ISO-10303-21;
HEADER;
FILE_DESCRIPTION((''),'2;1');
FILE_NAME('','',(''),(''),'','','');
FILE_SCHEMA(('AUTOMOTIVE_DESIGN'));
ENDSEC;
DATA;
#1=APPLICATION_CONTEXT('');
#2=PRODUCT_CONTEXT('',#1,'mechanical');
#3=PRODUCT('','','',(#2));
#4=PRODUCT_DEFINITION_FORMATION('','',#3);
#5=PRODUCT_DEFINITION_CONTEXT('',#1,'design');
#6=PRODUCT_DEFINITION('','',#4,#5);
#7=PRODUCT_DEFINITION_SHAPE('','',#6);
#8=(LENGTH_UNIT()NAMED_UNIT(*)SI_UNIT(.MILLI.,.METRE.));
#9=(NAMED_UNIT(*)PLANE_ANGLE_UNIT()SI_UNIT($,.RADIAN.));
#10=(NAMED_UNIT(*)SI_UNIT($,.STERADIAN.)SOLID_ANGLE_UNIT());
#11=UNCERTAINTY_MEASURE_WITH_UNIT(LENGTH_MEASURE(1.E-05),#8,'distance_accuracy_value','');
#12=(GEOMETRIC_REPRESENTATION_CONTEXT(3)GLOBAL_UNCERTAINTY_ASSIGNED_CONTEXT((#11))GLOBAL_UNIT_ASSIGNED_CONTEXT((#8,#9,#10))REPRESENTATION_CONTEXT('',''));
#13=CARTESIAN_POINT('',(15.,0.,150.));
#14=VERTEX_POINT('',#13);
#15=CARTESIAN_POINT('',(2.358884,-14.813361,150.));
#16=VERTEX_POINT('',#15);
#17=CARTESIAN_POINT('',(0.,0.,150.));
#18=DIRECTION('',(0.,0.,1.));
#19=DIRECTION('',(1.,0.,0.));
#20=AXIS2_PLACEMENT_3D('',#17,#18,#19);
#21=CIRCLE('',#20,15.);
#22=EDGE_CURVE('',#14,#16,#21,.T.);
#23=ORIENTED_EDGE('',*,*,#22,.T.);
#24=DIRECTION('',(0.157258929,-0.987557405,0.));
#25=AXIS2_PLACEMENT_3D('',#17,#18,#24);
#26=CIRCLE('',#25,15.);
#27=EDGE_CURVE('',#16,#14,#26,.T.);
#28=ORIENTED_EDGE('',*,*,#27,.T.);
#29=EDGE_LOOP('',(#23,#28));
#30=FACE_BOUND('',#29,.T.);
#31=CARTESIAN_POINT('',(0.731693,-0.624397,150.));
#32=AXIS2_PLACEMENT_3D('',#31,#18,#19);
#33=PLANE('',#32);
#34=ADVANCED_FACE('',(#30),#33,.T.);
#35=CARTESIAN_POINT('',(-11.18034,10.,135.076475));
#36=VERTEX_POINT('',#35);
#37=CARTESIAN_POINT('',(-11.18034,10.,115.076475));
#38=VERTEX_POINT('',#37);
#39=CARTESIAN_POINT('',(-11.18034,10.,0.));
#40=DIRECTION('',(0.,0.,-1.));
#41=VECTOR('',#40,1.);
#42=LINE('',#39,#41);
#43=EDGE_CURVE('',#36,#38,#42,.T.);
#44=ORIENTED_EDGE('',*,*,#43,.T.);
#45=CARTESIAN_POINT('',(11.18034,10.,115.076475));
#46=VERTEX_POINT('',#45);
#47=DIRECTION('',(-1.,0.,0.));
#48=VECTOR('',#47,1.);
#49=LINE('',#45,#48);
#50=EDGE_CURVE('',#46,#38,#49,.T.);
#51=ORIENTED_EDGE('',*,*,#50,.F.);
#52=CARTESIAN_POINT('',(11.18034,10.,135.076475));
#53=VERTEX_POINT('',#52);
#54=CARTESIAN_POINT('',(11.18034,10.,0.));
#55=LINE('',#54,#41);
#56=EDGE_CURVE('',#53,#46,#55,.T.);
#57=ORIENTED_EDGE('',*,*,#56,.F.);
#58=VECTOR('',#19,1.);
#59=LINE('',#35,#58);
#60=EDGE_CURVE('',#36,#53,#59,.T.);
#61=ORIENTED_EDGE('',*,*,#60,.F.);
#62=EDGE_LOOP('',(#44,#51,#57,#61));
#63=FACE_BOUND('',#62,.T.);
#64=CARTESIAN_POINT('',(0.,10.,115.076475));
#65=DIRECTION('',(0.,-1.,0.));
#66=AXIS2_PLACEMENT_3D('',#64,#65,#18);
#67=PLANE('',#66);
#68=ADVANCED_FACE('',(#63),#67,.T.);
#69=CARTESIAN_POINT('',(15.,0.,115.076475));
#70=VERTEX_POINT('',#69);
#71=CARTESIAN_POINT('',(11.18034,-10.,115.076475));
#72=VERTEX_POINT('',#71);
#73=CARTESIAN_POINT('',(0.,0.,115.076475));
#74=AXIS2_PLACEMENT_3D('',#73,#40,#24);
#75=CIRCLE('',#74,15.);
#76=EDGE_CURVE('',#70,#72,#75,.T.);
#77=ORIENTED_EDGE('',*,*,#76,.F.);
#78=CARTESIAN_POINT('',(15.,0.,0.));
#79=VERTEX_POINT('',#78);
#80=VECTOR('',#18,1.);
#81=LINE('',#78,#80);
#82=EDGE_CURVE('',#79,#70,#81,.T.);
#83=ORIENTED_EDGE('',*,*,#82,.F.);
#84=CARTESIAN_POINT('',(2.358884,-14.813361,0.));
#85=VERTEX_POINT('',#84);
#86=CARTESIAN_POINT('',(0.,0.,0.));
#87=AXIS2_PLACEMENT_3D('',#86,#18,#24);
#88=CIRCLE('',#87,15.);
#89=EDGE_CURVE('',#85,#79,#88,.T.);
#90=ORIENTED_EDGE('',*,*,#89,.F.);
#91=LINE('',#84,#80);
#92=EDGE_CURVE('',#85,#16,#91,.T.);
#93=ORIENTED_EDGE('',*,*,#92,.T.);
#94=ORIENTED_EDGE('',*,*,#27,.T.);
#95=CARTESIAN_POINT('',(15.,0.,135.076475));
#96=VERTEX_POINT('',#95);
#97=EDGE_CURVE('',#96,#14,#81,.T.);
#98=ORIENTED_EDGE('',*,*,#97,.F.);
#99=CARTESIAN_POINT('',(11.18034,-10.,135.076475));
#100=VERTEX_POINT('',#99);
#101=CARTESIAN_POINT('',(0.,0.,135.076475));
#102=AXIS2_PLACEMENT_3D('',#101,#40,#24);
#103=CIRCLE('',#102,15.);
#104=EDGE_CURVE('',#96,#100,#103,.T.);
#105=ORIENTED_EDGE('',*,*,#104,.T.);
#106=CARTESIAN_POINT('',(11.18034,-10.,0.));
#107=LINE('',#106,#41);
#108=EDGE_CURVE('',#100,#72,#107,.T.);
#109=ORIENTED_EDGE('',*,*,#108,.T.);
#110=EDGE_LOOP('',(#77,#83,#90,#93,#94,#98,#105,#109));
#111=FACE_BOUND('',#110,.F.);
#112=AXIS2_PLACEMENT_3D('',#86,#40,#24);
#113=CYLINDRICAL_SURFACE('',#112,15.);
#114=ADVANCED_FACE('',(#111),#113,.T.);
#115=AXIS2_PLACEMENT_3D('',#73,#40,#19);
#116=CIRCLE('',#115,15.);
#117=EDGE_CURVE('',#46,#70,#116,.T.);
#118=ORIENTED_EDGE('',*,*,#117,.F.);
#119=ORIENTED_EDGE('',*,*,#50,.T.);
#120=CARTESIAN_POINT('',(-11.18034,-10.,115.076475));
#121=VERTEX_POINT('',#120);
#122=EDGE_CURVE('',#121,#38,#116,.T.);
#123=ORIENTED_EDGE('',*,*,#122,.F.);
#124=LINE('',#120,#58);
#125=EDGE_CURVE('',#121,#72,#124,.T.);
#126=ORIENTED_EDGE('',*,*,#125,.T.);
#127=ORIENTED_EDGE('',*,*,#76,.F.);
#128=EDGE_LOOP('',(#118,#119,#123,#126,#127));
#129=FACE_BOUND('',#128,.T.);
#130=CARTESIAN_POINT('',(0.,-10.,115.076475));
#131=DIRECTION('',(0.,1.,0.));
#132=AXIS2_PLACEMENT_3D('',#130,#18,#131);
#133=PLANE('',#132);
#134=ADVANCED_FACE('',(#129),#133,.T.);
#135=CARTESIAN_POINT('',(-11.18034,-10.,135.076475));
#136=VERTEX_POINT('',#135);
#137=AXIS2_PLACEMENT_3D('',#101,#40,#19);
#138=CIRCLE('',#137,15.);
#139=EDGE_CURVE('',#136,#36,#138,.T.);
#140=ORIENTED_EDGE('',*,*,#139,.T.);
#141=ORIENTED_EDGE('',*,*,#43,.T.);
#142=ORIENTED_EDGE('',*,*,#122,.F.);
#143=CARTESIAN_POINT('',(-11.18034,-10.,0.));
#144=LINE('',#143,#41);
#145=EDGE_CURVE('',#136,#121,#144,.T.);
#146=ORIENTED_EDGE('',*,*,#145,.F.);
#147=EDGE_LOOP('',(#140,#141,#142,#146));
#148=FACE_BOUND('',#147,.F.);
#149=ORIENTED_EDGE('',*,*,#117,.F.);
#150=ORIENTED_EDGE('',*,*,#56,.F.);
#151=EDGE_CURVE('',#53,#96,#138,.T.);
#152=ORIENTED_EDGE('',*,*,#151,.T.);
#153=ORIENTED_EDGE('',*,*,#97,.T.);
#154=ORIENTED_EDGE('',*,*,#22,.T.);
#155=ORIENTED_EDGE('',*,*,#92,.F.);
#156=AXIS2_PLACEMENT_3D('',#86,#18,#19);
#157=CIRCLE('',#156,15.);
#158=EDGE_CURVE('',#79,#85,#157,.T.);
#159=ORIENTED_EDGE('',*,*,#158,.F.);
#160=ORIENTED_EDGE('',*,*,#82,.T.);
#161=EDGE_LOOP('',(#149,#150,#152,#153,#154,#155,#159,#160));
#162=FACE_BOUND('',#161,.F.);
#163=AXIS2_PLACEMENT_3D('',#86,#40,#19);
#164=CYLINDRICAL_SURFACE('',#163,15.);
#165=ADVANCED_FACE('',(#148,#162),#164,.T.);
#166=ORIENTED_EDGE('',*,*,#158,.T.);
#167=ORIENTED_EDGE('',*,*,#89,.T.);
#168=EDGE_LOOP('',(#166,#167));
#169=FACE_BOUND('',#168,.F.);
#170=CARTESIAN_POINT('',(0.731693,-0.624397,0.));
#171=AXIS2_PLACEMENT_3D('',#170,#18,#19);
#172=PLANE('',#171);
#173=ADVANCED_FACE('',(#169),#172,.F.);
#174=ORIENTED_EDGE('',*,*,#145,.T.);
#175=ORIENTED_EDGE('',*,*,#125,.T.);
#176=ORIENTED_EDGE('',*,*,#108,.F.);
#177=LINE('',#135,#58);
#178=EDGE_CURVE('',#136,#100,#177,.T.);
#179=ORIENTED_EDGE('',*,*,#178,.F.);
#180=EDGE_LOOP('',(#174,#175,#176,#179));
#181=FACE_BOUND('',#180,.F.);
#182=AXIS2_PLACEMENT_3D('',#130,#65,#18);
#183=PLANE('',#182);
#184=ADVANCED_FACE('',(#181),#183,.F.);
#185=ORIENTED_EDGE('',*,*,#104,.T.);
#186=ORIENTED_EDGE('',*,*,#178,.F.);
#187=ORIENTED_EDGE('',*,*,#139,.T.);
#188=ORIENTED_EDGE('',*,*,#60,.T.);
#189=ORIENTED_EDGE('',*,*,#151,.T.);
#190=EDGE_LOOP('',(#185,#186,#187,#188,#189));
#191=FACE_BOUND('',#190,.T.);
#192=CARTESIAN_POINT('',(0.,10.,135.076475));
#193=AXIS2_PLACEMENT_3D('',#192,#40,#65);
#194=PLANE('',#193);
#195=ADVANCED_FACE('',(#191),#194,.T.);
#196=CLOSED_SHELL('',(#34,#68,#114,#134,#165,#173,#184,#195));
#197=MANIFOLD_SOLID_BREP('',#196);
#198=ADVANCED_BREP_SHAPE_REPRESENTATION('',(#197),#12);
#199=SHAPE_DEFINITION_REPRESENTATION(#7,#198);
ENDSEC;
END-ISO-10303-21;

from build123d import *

# Parameters (mm, degrees)
F1_DEPTH      = 150
F2_W          = 10
F2_H          = 20
F3_DEPTH      = 15.001
F3_DEPTH_BACK = 15.001


with BuildPart() as f1:
    # F0 (on Top) → F1 (new body)
    with BuildSketch(Plane.XY):
        with BuildLine():
            ThreePointArc((2.3588839403, -14.8133610824), (11.4101546682, -9.7369589939), (15, 0))
            ThreePointArc((15, 0), (-11.4101546682, 9.7369589939), (2.3588839403, -14.8133610824))
        make_face()
    extrude(amount=F1_DEPTH)

    # F2 (on Right) → F3 (cut, two sides)
    with BuildSketch(Plane.YZ) as f3_sk:
        with Locations((-5, 125.0764748454)):
            Rectangle(F2_W, F2_H)
        with Locations((5, 125.0764748454)):
            Rectangle(F2_W, F2_H)
    extrude(amount=-F3_DEPTH, mode=Mode.SUBTRACT)
    extrude(f3_sk.sketch, amount=F3_DEPTH_BACK, mode=Mode.SUBTRACT)


solid = f1.part
